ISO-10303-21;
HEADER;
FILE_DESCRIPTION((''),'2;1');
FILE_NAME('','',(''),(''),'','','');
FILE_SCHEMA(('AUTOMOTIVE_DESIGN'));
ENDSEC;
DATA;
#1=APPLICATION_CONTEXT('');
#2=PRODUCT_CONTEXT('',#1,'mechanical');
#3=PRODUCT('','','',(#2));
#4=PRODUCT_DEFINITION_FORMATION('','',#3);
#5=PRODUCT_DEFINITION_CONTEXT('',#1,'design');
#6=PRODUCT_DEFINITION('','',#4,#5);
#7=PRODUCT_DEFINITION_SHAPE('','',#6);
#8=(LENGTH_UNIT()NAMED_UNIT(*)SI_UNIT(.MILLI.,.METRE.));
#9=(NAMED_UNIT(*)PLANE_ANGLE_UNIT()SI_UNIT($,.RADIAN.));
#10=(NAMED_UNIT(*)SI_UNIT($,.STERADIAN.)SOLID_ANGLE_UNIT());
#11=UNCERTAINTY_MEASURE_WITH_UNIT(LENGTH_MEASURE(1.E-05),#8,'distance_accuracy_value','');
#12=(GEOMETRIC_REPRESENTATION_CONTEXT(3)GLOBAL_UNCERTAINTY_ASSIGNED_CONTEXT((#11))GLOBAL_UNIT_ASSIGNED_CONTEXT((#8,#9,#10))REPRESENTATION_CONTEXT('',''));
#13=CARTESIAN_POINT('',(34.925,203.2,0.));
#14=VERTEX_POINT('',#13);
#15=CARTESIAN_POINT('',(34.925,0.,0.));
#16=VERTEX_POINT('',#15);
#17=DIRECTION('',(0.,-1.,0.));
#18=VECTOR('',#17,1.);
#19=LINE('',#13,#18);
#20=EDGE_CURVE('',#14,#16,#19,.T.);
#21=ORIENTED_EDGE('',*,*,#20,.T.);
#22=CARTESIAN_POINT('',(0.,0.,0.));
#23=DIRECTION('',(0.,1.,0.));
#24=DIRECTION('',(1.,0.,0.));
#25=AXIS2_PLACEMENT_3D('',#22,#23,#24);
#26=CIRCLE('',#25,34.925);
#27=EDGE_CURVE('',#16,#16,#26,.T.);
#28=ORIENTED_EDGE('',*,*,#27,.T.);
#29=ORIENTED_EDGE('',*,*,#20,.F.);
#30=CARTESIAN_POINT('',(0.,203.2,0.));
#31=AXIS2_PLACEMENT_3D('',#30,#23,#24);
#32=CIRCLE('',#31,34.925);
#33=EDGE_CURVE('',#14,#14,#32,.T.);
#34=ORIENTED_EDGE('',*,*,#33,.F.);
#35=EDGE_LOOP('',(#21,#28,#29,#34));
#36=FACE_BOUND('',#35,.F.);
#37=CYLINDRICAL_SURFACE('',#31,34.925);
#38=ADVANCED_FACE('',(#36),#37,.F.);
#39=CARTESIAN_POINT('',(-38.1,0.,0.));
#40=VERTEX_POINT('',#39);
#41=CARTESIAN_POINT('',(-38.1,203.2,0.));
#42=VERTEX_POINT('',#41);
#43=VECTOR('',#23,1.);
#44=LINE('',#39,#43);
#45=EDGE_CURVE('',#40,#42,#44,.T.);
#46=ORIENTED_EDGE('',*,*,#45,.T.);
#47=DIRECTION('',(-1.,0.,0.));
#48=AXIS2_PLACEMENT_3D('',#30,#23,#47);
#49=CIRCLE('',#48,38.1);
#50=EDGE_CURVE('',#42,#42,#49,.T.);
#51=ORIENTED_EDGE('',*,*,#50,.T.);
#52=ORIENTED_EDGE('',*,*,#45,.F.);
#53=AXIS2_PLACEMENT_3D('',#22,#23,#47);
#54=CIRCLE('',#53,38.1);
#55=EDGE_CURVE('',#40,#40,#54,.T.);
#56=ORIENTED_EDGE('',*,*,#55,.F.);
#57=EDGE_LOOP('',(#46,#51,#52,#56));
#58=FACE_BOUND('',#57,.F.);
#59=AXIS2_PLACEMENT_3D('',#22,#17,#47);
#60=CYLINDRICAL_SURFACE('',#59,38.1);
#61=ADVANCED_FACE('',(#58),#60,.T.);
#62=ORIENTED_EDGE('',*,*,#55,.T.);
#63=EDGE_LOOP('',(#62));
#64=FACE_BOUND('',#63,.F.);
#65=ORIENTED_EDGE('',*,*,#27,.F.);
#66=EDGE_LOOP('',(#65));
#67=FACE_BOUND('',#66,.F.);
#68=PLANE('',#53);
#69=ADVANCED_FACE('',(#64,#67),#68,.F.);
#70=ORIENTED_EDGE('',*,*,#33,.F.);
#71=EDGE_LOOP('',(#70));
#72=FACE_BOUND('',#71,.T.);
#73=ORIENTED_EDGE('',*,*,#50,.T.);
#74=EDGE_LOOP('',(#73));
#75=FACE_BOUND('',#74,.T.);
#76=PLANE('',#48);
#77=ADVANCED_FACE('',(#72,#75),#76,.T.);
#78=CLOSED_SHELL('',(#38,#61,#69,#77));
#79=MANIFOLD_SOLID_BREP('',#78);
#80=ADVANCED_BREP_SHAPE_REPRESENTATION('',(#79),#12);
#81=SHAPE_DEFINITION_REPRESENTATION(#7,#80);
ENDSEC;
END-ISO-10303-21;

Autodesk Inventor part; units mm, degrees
ref_plane "YZ Plane" through (0, 0, 0) normal (1, 0, 0) x (0, 1, 0)
ref_plane "XZ Plane" through (0, 0, 0) normal (0, 1, 0) x (-1, 0, 0)
ref_plane "XY Plane" through (0, 0, 0) normal (0, 0, 1) x (1, 0, 0)
sketch "Sketch1" plane through (0, 0, 0) normal (0, 1, 0) x (-1, 0, 0)
  circle A0 centre (0, 0) radius 38.1
  dimension "d0" = 76.2
extrude "Extrusion1" add sketch "Sketch1" along normal blind 203.2
sketch "Sketch2" plane through (0, 203.2, 0) normal (0, 1, 0) x (1, 0, 0)
  circle A0 centre (0, 0) radius 34.925
  dimension "d3" = 69.85
extrude "Extrusion2" cut sketch "Sketch2" against normal blind 203.2
properties part number "tube" material "Plastic, Transparent"
